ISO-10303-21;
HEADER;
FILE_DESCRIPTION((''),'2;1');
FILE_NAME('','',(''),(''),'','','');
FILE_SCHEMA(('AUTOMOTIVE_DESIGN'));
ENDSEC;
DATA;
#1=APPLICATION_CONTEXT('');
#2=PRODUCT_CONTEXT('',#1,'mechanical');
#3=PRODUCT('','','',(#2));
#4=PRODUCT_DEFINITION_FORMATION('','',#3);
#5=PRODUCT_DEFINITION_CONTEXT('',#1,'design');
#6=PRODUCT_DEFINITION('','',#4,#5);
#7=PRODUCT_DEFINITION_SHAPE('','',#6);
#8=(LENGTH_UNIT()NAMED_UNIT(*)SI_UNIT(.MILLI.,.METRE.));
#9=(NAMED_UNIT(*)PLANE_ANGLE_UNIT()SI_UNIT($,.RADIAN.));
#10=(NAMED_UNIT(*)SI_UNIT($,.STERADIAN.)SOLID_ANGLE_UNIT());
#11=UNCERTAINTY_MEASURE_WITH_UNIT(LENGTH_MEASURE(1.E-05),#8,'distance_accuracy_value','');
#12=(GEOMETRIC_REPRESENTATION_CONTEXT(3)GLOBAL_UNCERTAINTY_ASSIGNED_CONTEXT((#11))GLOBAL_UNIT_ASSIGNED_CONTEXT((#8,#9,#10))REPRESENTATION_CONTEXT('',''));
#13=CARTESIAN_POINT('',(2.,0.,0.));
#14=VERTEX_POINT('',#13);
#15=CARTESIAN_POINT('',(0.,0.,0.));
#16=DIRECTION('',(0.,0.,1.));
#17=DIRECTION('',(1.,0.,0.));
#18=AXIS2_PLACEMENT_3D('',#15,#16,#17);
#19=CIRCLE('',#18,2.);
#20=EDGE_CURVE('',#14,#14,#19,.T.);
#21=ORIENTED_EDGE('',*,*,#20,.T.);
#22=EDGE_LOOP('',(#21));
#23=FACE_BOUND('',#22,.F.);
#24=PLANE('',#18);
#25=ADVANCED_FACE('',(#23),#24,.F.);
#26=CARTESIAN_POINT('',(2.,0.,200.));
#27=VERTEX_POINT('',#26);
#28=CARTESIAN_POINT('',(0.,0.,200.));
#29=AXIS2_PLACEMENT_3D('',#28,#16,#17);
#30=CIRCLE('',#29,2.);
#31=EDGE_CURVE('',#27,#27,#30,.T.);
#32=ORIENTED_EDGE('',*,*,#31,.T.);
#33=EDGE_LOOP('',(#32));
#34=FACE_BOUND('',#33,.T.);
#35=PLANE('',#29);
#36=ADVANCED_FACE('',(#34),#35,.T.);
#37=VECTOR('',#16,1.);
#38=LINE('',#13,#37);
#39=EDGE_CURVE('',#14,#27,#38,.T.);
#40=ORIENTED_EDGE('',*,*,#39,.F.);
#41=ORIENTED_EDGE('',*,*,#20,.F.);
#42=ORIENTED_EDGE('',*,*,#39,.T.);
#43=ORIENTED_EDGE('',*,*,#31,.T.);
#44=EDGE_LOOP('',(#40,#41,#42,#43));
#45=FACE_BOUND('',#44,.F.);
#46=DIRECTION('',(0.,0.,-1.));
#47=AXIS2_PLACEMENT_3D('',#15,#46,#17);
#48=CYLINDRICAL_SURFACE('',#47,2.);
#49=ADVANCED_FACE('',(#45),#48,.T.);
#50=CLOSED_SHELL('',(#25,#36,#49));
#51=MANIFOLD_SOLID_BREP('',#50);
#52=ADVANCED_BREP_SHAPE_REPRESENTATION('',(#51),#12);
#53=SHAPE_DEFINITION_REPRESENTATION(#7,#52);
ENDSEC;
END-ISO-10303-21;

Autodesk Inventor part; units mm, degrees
ref_plane "YZ Plane" through (0, 0, 0) normal (1, 0, 0) x (0, 1, 0)
ref_plane "XZ Plane" through (0, 0, 0) normal (0, 1, 0) x (-1, 0, 0)
ref_plane "XY Plane" through (0, 0, 0) normal (0, 0, 1) x (1, 0, 0)
sketch "Sketch1" plane through (0, 0, 0) normal (0, 0, 1) x (1, 0, 0)
  circle A0 centre (0, 0) radius 2
  dimension "d0" = 4
extrude "Extrusion1" add sketch "Sketch1" along normal blind 200
properties part number "axle"
